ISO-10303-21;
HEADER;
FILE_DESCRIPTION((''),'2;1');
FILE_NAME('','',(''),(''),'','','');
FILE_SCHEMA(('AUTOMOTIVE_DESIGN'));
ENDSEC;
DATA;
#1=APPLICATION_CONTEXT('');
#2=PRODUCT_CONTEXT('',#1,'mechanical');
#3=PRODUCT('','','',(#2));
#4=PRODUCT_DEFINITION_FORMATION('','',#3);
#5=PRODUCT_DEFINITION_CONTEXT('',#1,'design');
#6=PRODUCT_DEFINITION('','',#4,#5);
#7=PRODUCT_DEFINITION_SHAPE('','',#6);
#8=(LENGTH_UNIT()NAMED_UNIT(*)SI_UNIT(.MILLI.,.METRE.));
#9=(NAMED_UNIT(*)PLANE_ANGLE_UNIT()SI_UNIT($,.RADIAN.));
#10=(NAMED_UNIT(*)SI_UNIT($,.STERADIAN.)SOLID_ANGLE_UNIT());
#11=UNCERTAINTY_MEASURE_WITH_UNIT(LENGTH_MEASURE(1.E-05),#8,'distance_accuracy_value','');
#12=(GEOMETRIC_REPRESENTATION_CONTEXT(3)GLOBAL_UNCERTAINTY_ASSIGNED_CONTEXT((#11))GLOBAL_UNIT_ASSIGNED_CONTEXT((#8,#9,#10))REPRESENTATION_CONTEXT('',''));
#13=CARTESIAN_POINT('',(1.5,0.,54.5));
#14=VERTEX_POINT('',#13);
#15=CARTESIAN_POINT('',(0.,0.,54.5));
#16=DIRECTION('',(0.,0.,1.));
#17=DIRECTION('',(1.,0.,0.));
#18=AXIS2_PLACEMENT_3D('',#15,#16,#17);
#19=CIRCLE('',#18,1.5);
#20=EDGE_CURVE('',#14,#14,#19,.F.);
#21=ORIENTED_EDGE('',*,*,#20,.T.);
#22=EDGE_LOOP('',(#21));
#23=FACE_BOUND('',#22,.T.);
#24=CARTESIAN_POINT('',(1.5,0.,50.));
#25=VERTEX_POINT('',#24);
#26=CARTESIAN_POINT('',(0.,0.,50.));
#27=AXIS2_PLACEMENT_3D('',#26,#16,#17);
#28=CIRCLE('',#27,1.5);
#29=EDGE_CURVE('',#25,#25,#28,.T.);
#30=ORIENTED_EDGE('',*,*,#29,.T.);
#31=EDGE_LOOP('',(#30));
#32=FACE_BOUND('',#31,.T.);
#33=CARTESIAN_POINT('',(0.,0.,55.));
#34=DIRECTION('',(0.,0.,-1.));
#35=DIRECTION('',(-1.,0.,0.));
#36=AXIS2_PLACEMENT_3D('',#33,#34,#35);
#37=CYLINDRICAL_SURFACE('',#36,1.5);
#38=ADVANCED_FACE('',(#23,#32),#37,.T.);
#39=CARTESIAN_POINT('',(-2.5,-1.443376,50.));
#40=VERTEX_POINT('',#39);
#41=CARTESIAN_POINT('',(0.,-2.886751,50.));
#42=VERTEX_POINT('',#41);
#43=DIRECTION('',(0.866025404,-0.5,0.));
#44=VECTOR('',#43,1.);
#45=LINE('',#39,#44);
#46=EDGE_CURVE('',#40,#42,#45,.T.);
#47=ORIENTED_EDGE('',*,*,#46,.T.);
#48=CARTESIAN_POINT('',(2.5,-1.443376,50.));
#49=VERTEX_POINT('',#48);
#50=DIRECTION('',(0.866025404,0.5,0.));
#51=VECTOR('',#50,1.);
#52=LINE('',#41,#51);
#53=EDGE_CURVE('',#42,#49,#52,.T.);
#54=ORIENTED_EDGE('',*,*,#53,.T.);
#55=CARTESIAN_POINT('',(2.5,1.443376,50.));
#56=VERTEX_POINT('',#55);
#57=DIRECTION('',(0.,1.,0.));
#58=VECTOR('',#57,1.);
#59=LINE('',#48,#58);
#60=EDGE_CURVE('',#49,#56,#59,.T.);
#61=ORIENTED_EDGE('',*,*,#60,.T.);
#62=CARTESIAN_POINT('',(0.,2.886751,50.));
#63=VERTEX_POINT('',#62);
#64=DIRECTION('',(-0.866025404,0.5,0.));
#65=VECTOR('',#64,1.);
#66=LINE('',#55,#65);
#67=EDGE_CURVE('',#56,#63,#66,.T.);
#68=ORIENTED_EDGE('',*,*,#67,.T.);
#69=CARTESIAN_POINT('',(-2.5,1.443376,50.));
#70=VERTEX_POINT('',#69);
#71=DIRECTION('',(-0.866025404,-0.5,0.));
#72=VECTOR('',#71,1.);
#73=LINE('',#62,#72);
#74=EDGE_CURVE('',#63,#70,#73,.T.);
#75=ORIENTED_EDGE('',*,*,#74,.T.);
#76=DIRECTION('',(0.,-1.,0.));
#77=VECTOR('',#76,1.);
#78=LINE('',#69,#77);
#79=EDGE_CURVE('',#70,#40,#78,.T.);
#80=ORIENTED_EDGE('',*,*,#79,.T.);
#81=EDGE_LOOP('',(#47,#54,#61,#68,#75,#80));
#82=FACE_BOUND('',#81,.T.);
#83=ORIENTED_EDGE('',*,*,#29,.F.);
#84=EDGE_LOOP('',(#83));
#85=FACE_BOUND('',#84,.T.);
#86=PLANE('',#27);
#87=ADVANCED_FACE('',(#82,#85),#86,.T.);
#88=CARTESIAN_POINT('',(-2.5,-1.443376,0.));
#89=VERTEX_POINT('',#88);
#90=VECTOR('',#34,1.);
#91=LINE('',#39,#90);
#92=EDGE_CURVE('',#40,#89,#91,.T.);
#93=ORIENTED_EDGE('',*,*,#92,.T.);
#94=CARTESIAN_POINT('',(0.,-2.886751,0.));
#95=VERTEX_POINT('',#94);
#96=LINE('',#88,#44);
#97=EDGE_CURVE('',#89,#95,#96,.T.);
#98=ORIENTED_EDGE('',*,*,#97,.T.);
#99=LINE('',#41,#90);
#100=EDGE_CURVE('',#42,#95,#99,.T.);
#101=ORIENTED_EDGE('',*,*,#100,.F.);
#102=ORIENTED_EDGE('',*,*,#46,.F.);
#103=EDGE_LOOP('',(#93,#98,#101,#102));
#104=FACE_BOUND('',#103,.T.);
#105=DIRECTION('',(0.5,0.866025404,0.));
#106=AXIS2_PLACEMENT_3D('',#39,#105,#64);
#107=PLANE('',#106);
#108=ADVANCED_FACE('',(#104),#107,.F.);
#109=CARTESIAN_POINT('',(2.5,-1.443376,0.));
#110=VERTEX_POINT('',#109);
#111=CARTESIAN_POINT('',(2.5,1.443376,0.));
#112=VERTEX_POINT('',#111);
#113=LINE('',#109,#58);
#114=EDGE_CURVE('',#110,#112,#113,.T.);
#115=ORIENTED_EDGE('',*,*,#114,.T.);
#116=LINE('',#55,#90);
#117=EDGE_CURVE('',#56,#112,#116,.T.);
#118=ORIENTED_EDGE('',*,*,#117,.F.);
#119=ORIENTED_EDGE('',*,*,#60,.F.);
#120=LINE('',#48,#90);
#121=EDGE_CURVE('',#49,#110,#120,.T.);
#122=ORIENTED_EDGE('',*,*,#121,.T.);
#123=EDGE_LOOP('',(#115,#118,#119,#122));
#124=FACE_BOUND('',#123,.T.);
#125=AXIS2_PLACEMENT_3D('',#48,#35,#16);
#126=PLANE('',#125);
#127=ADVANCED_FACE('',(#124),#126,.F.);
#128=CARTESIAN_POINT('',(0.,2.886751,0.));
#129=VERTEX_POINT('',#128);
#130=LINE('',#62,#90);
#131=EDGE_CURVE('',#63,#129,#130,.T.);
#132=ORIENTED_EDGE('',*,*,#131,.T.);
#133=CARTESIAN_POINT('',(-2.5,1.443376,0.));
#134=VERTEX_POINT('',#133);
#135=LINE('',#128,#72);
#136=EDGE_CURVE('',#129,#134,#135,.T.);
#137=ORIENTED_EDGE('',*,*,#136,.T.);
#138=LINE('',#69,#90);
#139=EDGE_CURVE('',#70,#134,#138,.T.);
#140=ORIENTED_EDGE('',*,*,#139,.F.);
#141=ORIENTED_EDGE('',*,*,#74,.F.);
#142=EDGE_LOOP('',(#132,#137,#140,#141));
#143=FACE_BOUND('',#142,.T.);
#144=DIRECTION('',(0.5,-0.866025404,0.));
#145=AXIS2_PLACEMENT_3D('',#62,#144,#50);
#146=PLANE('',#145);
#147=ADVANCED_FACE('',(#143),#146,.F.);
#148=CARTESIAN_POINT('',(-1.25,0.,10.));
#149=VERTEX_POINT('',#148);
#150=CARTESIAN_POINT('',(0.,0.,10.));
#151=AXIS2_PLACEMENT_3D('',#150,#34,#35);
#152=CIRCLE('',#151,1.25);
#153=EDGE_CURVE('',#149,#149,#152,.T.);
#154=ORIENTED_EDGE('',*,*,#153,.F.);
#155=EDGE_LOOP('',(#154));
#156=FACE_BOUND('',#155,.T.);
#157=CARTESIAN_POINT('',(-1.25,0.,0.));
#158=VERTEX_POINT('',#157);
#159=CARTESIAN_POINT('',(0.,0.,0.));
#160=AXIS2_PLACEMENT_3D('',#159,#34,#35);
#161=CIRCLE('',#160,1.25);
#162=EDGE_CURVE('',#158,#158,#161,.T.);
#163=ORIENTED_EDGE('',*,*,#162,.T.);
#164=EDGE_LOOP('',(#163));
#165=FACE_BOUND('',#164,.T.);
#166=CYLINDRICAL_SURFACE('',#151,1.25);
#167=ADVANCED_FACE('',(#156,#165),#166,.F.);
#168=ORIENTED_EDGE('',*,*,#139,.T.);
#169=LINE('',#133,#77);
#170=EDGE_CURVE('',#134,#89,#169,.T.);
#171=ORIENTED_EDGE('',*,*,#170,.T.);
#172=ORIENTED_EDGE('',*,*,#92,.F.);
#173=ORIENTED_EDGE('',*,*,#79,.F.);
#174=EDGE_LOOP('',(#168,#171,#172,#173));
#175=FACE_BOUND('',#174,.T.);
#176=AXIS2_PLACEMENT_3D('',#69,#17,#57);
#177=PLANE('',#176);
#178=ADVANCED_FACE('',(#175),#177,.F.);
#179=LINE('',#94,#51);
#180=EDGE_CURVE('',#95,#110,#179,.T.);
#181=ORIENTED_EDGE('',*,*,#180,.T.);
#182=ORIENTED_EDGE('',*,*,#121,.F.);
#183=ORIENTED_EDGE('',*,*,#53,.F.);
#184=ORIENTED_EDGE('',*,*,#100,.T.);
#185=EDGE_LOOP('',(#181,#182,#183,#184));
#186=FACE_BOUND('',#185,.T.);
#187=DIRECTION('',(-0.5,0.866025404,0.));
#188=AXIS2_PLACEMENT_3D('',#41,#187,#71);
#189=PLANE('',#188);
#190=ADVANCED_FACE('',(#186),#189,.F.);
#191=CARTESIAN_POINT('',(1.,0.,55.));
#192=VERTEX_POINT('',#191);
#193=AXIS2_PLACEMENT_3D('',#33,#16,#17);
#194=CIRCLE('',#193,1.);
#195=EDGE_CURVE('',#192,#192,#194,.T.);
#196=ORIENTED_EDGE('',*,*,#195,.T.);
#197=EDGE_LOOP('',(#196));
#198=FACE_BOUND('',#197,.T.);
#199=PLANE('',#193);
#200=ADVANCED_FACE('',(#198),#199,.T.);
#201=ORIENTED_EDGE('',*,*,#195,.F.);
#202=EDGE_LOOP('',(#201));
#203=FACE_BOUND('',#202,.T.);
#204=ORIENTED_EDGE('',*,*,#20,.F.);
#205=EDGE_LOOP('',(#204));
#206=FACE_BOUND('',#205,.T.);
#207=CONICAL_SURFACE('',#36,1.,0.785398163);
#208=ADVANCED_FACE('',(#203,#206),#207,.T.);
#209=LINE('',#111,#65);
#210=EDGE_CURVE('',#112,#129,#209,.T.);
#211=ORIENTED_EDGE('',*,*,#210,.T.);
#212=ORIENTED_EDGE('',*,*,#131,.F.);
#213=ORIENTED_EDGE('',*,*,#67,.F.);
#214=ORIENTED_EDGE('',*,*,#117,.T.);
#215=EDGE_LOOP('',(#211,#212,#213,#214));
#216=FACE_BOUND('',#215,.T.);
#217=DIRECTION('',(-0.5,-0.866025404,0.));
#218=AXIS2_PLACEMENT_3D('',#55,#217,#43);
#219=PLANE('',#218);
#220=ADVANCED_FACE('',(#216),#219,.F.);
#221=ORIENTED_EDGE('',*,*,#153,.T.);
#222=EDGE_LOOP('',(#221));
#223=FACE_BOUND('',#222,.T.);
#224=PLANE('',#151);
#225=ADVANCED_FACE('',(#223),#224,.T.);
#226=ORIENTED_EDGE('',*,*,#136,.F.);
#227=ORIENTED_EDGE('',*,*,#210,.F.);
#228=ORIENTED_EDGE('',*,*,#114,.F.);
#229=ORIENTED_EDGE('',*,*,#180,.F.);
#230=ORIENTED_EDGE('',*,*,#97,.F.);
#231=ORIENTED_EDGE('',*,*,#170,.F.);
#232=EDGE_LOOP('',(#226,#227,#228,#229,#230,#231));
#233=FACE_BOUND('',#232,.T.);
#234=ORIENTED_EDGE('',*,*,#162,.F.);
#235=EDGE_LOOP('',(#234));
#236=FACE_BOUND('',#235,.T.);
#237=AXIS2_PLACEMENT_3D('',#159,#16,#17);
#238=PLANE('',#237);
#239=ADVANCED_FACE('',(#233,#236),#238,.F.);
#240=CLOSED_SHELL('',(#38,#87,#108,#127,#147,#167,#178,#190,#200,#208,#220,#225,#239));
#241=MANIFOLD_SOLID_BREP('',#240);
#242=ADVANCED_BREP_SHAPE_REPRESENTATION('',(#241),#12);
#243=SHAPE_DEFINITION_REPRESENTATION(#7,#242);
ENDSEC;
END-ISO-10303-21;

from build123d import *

# Parameters (mm, degrees)
BOSS_EXTRU_1_DEPTH      = 50
ESQUISSE2_R             = 1.5
BOSS_EXTRU_2_DEPTH      = 5
ESQUISSE3_R             = 1.25
ENL_V_MAT_EXTRU_1_DEPTH = 10
CHANFREIN1_SIZE         = 0.5


with BuildPart() as part:
    # Esquisse1 → Boss.-Extru.1 (new body)
    with BuildSketch(Plane.XY):
        Polygon((2.5, -1.443375673), (2.5, 1.443375673), (0, 2.886751346), (-2.5, 1.443375673), (-2.5, -1.443375673), (0, -2.886751346), align=None)
    extrude(amount=BOSS_EXTRU_1_DEPTH)

    # Esquisse2 → Boss.-Extru.2 (add)
    with BuildSketch(Plane.XY.offset(50)):
        Circle(ESQUISSE2_R)
    extrude(amount=BOSS_EXTRU_2_DEPTH)

    # Esquisse3 → Enlèv. mat.-Extru.1 (cut)
    with BuildSketch(Plane(origin=(0, 0, 0), x_dir=(-1, 0, 0), z_dir=(0, 0, -1))):
        Circle(ESQUISSE3_R)
    extrude(amount=-ENL_V_MAT_EXTRU_1_DEPTH, mode=Mode.SUBTRACT)

    # Chanfrein1
    chanfrein1_edges = [part.edges().sort_by_distance(p)[0] for p in [
        (-1.5, 0, 55),
    ]]
    chamfer(chanfrein1_edges, length=CHANFREIN1_SIZE)


solid = part.part
